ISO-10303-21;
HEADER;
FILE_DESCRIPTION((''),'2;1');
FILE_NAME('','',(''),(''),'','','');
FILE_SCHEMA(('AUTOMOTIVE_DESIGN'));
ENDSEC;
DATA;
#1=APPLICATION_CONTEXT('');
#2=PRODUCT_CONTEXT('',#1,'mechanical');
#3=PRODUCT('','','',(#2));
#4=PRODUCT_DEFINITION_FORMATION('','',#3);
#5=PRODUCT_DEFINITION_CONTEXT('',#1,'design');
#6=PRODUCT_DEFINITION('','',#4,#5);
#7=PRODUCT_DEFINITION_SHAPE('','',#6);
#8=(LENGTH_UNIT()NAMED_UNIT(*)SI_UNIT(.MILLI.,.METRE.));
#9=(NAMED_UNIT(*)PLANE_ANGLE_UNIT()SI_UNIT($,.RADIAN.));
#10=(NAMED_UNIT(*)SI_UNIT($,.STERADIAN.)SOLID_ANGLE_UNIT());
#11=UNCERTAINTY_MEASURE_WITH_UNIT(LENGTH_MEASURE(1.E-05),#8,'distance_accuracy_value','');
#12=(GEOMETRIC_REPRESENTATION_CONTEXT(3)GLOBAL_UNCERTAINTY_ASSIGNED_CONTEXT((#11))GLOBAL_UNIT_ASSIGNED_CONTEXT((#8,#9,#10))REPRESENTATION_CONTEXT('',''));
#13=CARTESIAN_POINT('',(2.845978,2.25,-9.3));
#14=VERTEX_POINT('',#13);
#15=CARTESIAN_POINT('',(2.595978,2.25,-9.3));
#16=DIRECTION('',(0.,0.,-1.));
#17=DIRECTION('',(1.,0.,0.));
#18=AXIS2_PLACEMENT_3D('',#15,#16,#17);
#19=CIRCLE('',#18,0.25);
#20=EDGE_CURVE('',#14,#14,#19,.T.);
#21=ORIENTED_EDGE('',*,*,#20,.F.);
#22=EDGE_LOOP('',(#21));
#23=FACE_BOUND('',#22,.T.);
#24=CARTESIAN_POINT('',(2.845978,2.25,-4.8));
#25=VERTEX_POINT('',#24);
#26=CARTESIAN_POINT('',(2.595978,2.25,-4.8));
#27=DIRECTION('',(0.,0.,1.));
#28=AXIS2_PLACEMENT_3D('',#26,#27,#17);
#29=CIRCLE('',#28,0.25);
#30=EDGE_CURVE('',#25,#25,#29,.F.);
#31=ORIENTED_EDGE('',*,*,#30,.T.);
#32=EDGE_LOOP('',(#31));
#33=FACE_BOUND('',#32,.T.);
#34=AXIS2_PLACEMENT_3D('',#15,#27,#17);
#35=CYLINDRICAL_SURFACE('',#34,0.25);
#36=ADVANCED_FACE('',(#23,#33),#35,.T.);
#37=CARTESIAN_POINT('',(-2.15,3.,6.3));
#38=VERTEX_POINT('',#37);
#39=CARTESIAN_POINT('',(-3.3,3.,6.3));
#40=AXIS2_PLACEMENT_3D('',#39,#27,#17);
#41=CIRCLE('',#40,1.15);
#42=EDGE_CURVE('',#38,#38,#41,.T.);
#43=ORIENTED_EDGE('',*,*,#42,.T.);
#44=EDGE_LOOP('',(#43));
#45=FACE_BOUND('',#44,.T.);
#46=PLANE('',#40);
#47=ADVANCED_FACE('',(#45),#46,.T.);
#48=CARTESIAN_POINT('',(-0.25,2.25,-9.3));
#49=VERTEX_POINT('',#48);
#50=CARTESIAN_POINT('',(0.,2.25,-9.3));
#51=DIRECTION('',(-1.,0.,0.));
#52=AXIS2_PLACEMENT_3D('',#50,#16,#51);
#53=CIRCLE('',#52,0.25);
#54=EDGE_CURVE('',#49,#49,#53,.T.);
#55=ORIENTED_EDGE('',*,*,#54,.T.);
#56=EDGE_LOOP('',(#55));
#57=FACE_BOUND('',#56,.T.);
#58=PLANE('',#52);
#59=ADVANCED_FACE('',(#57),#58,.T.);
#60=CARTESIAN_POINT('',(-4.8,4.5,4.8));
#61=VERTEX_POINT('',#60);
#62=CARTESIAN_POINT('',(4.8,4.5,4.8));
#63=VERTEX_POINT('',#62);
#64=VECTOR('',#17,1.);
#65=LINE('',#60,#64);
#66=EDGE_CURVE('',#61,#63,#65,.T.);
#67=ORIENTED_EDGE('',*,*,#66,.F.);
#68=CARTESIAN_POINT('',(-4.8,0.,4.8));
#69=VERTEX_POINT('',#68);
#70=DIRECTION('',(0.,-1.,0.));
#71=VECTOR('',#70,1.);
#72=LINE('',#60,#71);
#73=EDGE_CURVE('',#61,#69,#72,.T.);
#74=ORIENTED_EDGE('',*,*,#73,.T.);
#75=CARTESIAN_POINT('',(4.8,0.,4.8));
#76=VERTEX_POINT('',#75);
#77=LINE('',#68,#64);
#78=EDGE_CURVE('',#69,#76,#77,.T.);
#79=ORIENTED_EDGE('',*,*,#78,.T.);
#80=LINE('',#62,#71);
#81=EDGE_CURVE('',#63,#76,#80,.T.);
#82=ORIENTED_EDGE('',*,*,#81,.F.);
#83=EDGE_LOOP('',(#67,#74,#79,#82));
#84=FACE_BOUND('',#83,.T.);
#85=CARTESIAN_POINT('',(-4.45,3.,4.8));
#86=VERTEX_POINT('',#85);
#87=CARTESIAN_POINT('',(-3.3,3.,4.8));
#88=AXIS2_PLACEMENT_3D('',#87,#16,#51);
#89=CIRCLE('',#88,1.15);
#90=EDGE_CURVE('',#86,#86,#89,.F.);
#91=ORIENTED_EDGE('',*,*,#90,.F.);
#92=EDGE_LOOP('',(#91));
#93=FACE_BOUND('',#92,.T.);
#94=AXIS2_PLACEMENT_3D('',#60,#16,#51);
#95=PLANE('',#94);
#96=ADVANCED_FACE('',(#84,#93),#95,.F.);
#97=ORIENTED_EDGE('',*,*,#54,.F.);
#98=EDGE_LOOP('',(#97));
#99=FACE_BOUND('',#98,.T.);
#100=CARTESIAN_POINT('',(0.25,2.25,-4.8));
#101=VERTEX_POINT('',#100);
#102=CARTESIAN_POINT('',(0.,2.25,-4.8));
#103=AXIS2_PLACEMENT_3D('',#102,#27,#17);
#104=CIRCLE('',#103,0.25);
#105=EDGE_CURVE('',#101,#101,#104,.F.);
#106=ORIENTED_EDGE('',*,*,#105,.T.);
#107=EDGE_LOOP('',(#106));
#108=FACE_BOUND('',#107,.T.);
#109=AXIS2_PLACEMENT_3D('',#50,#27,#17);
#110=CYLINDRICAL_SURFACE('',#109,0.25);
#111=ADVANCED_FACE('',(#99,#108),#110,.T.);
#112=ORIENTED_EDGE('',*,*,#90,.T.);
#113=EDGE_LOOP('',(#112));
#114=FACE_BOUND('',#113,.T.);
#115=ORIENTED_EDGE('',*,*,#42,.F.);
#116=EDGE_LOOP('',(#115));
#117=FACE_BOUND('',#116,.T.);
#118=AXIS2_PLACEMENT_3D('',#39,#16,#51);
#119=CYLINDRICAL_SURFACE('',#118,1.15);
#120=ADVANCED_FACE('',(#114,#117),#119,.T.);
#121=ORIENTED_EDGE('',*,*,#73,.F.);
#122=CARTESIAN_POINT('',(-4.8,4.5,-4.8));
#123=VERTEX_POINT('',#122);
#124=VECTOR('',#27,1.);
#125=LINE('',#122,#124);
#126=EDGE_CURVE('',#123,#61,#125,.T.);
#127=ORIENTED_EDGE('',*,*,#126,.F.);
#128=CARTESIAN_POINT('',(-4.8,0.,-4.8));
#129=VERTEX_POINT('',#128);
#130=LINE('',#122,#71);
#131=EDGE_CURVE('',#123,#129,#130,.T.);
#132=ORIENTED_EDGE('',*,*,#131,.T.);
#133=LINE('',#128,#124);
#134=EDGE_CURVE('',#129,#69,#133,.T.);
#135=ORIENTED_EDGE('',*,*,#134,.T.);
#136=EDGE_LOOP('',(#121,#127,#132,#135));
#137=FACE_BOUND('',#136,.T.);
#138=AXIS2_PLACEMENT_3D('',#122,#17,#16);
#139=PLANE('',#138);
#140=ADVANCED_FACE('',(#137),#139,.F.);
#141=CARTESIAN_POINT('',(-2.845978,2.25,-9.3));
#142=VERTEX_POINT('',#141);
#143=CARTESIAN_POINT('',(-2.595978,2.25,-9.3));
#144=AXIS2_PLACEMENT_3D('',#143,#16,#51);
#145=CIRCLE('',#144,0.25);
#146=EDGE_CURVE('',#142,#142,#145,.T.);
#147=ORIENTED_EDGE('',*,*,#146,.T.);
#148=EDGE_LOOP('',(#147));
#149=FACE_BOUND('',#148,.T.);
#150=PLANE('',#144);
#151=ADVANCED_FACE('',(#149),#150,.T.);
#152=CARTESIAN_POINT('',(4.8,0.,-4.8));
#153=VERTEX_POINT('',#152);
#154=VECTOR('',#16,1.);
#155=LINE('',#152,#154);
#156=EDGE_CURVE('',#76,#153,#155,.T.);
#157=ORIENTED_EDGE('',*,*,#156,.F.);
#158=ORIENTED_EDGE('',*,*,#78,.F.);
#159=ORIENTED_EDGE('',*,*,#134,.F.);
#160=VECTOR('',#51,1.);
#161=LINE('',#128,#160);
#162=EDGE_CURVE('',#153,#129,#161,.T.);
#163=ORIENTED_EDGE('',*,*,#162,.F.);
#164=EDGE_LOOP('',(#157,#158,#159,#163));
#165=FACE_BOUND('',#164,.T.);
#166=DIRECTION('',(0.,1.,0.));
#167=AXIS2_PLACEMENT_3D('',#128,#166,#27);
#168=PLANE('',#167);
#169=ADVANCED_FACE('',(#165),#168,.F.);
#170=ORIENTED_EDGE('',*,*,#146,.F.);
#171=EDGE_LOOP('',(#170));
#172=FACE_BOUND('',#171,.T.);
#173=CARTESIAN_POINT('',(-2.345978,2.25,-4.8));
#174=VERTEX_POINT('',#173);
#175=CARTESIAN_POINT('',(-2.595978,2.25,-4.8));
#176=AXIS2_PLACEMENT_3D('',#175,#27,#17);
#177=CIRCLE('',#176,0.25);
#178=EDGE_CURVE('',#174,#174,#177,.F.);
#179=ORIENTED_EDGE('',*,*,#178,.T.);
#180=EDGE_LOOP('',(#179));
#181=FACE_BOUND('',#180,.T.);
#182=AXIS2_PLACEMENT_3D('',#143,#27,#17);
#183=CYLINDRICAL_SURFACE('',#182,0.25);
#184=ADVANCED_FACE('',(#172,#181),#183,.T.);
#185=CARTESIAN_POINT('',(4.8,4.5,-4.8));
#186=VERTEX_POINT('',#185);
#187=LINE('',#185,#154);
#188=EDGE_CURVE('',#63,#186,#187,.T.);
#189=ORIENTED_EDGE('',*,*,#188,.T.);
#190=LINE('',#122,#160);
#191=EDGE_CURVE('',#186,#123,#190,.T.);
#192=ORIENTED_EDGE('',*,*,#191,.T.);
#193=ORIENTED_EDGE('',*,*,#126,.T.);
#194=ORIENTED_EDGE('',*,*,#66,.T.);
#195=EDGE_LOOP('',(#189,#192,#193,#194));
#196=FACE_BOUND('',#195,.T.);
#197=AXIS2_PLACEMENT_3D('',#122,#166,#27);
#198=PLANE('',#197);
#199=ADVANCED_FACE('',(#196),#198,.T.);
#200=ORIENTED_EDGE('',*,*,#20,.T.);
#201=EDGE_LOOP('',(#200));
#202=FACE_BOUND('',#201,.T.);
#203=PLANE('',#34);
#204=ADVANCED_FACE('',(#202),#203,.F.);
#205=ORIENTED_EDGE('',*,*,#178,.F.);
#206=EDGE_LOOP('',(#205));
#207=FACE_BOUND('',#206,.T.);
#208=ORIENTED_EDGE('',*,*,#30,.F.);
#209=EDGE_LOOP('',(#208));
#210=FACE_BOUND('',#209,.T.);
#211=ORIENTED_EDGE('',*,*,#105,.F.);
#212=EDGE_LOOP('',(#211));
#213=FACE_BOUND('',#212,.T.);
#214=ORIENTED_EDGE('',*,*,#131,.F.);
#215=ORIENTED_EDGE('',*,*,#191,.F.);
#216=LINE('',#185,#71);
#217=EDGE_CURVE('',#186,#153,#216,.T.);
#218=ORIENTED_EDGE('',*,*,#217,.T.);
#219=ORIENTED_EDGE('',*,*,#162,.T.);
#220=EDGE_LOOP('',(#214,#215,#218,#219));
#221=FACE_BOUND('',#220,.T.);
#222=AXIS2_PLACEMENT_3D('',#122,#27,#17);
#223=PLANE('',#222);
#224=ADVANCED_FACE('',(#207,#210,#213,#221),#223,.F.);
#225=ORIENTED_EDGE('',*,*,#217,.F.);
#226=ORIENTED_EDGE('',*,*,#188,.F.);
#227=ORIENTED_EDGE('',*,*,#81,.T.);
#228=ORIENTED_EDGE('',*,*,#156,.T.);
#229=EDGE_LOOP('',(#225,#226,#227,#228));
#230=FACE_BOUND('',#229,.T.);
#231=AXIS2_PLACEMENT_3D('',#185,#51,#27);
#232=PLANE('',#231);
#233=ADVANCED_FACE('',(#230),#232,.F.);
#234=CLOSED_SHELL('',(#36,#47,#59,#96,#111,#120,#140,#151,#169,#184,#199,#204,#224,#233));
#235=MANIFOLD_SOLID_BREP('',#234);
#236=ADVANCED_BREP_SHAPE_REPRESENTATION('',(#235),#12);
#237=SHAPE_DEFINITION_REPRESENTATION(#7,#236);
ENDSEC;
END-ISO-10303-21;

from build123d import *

# Parameters (mm, degrees)
SKETCH_1_W      = 9.6
SKETCH_1_H      = 9.6
EXTRUDE_1_DEPTH = 4.5
SKETCH_3_R      = 0.25
EXTRUDE_3_DEPTH = 4.5
SKETCH_4_R      = 1.15
EXTRUDE_4_DEPTH = 1.5


with BuildPart() as part:
    # 草图1 → 拉伸1 (new body)
    with BuildSketch(Plane(origin=(0, 0, 0), x_dir=(1, 0, 0), z_dir=(0, 1, 0))):
        Rectangle(SKETCH_1_W, SKETCH_1_H)
    extrude(amount=EXTRUDE_1_DEPTH)

    # 草图3 → 拉伸3 (add)
    with BuildSketch(Plane(origin=(0, 0, -4.8), x_dir=(-1, 0, 0), z_dir=(0, 0, -1))):
        with Locations(Location((0, 2.25, 0), (0, 0, 180))):
            Circle(SKETCH_3_R)
        with Locations(Location((2.595978382, 2.25, 0), (0, 0, 180))):
            Circle(SKETCH_3_R)
        with Locations(Location((-2.595978382, 2.25, 0), (0, 0, 180))):
            Circle(SKETCH_3_R)
    extrude(amount=EXTRUDE_3_DEPTH)

    # 草图4 → 拉伸4 (add)
    with BuildSketch(Plane.XY.offset(4.8)):
        with Locations(Location((-3.3, 3, 0), (0, 0, 180))):
            Circle(SKETCH_4_R)
    extrude(amount=EXTRUDE_4_DEPTH)


solid = part.part
